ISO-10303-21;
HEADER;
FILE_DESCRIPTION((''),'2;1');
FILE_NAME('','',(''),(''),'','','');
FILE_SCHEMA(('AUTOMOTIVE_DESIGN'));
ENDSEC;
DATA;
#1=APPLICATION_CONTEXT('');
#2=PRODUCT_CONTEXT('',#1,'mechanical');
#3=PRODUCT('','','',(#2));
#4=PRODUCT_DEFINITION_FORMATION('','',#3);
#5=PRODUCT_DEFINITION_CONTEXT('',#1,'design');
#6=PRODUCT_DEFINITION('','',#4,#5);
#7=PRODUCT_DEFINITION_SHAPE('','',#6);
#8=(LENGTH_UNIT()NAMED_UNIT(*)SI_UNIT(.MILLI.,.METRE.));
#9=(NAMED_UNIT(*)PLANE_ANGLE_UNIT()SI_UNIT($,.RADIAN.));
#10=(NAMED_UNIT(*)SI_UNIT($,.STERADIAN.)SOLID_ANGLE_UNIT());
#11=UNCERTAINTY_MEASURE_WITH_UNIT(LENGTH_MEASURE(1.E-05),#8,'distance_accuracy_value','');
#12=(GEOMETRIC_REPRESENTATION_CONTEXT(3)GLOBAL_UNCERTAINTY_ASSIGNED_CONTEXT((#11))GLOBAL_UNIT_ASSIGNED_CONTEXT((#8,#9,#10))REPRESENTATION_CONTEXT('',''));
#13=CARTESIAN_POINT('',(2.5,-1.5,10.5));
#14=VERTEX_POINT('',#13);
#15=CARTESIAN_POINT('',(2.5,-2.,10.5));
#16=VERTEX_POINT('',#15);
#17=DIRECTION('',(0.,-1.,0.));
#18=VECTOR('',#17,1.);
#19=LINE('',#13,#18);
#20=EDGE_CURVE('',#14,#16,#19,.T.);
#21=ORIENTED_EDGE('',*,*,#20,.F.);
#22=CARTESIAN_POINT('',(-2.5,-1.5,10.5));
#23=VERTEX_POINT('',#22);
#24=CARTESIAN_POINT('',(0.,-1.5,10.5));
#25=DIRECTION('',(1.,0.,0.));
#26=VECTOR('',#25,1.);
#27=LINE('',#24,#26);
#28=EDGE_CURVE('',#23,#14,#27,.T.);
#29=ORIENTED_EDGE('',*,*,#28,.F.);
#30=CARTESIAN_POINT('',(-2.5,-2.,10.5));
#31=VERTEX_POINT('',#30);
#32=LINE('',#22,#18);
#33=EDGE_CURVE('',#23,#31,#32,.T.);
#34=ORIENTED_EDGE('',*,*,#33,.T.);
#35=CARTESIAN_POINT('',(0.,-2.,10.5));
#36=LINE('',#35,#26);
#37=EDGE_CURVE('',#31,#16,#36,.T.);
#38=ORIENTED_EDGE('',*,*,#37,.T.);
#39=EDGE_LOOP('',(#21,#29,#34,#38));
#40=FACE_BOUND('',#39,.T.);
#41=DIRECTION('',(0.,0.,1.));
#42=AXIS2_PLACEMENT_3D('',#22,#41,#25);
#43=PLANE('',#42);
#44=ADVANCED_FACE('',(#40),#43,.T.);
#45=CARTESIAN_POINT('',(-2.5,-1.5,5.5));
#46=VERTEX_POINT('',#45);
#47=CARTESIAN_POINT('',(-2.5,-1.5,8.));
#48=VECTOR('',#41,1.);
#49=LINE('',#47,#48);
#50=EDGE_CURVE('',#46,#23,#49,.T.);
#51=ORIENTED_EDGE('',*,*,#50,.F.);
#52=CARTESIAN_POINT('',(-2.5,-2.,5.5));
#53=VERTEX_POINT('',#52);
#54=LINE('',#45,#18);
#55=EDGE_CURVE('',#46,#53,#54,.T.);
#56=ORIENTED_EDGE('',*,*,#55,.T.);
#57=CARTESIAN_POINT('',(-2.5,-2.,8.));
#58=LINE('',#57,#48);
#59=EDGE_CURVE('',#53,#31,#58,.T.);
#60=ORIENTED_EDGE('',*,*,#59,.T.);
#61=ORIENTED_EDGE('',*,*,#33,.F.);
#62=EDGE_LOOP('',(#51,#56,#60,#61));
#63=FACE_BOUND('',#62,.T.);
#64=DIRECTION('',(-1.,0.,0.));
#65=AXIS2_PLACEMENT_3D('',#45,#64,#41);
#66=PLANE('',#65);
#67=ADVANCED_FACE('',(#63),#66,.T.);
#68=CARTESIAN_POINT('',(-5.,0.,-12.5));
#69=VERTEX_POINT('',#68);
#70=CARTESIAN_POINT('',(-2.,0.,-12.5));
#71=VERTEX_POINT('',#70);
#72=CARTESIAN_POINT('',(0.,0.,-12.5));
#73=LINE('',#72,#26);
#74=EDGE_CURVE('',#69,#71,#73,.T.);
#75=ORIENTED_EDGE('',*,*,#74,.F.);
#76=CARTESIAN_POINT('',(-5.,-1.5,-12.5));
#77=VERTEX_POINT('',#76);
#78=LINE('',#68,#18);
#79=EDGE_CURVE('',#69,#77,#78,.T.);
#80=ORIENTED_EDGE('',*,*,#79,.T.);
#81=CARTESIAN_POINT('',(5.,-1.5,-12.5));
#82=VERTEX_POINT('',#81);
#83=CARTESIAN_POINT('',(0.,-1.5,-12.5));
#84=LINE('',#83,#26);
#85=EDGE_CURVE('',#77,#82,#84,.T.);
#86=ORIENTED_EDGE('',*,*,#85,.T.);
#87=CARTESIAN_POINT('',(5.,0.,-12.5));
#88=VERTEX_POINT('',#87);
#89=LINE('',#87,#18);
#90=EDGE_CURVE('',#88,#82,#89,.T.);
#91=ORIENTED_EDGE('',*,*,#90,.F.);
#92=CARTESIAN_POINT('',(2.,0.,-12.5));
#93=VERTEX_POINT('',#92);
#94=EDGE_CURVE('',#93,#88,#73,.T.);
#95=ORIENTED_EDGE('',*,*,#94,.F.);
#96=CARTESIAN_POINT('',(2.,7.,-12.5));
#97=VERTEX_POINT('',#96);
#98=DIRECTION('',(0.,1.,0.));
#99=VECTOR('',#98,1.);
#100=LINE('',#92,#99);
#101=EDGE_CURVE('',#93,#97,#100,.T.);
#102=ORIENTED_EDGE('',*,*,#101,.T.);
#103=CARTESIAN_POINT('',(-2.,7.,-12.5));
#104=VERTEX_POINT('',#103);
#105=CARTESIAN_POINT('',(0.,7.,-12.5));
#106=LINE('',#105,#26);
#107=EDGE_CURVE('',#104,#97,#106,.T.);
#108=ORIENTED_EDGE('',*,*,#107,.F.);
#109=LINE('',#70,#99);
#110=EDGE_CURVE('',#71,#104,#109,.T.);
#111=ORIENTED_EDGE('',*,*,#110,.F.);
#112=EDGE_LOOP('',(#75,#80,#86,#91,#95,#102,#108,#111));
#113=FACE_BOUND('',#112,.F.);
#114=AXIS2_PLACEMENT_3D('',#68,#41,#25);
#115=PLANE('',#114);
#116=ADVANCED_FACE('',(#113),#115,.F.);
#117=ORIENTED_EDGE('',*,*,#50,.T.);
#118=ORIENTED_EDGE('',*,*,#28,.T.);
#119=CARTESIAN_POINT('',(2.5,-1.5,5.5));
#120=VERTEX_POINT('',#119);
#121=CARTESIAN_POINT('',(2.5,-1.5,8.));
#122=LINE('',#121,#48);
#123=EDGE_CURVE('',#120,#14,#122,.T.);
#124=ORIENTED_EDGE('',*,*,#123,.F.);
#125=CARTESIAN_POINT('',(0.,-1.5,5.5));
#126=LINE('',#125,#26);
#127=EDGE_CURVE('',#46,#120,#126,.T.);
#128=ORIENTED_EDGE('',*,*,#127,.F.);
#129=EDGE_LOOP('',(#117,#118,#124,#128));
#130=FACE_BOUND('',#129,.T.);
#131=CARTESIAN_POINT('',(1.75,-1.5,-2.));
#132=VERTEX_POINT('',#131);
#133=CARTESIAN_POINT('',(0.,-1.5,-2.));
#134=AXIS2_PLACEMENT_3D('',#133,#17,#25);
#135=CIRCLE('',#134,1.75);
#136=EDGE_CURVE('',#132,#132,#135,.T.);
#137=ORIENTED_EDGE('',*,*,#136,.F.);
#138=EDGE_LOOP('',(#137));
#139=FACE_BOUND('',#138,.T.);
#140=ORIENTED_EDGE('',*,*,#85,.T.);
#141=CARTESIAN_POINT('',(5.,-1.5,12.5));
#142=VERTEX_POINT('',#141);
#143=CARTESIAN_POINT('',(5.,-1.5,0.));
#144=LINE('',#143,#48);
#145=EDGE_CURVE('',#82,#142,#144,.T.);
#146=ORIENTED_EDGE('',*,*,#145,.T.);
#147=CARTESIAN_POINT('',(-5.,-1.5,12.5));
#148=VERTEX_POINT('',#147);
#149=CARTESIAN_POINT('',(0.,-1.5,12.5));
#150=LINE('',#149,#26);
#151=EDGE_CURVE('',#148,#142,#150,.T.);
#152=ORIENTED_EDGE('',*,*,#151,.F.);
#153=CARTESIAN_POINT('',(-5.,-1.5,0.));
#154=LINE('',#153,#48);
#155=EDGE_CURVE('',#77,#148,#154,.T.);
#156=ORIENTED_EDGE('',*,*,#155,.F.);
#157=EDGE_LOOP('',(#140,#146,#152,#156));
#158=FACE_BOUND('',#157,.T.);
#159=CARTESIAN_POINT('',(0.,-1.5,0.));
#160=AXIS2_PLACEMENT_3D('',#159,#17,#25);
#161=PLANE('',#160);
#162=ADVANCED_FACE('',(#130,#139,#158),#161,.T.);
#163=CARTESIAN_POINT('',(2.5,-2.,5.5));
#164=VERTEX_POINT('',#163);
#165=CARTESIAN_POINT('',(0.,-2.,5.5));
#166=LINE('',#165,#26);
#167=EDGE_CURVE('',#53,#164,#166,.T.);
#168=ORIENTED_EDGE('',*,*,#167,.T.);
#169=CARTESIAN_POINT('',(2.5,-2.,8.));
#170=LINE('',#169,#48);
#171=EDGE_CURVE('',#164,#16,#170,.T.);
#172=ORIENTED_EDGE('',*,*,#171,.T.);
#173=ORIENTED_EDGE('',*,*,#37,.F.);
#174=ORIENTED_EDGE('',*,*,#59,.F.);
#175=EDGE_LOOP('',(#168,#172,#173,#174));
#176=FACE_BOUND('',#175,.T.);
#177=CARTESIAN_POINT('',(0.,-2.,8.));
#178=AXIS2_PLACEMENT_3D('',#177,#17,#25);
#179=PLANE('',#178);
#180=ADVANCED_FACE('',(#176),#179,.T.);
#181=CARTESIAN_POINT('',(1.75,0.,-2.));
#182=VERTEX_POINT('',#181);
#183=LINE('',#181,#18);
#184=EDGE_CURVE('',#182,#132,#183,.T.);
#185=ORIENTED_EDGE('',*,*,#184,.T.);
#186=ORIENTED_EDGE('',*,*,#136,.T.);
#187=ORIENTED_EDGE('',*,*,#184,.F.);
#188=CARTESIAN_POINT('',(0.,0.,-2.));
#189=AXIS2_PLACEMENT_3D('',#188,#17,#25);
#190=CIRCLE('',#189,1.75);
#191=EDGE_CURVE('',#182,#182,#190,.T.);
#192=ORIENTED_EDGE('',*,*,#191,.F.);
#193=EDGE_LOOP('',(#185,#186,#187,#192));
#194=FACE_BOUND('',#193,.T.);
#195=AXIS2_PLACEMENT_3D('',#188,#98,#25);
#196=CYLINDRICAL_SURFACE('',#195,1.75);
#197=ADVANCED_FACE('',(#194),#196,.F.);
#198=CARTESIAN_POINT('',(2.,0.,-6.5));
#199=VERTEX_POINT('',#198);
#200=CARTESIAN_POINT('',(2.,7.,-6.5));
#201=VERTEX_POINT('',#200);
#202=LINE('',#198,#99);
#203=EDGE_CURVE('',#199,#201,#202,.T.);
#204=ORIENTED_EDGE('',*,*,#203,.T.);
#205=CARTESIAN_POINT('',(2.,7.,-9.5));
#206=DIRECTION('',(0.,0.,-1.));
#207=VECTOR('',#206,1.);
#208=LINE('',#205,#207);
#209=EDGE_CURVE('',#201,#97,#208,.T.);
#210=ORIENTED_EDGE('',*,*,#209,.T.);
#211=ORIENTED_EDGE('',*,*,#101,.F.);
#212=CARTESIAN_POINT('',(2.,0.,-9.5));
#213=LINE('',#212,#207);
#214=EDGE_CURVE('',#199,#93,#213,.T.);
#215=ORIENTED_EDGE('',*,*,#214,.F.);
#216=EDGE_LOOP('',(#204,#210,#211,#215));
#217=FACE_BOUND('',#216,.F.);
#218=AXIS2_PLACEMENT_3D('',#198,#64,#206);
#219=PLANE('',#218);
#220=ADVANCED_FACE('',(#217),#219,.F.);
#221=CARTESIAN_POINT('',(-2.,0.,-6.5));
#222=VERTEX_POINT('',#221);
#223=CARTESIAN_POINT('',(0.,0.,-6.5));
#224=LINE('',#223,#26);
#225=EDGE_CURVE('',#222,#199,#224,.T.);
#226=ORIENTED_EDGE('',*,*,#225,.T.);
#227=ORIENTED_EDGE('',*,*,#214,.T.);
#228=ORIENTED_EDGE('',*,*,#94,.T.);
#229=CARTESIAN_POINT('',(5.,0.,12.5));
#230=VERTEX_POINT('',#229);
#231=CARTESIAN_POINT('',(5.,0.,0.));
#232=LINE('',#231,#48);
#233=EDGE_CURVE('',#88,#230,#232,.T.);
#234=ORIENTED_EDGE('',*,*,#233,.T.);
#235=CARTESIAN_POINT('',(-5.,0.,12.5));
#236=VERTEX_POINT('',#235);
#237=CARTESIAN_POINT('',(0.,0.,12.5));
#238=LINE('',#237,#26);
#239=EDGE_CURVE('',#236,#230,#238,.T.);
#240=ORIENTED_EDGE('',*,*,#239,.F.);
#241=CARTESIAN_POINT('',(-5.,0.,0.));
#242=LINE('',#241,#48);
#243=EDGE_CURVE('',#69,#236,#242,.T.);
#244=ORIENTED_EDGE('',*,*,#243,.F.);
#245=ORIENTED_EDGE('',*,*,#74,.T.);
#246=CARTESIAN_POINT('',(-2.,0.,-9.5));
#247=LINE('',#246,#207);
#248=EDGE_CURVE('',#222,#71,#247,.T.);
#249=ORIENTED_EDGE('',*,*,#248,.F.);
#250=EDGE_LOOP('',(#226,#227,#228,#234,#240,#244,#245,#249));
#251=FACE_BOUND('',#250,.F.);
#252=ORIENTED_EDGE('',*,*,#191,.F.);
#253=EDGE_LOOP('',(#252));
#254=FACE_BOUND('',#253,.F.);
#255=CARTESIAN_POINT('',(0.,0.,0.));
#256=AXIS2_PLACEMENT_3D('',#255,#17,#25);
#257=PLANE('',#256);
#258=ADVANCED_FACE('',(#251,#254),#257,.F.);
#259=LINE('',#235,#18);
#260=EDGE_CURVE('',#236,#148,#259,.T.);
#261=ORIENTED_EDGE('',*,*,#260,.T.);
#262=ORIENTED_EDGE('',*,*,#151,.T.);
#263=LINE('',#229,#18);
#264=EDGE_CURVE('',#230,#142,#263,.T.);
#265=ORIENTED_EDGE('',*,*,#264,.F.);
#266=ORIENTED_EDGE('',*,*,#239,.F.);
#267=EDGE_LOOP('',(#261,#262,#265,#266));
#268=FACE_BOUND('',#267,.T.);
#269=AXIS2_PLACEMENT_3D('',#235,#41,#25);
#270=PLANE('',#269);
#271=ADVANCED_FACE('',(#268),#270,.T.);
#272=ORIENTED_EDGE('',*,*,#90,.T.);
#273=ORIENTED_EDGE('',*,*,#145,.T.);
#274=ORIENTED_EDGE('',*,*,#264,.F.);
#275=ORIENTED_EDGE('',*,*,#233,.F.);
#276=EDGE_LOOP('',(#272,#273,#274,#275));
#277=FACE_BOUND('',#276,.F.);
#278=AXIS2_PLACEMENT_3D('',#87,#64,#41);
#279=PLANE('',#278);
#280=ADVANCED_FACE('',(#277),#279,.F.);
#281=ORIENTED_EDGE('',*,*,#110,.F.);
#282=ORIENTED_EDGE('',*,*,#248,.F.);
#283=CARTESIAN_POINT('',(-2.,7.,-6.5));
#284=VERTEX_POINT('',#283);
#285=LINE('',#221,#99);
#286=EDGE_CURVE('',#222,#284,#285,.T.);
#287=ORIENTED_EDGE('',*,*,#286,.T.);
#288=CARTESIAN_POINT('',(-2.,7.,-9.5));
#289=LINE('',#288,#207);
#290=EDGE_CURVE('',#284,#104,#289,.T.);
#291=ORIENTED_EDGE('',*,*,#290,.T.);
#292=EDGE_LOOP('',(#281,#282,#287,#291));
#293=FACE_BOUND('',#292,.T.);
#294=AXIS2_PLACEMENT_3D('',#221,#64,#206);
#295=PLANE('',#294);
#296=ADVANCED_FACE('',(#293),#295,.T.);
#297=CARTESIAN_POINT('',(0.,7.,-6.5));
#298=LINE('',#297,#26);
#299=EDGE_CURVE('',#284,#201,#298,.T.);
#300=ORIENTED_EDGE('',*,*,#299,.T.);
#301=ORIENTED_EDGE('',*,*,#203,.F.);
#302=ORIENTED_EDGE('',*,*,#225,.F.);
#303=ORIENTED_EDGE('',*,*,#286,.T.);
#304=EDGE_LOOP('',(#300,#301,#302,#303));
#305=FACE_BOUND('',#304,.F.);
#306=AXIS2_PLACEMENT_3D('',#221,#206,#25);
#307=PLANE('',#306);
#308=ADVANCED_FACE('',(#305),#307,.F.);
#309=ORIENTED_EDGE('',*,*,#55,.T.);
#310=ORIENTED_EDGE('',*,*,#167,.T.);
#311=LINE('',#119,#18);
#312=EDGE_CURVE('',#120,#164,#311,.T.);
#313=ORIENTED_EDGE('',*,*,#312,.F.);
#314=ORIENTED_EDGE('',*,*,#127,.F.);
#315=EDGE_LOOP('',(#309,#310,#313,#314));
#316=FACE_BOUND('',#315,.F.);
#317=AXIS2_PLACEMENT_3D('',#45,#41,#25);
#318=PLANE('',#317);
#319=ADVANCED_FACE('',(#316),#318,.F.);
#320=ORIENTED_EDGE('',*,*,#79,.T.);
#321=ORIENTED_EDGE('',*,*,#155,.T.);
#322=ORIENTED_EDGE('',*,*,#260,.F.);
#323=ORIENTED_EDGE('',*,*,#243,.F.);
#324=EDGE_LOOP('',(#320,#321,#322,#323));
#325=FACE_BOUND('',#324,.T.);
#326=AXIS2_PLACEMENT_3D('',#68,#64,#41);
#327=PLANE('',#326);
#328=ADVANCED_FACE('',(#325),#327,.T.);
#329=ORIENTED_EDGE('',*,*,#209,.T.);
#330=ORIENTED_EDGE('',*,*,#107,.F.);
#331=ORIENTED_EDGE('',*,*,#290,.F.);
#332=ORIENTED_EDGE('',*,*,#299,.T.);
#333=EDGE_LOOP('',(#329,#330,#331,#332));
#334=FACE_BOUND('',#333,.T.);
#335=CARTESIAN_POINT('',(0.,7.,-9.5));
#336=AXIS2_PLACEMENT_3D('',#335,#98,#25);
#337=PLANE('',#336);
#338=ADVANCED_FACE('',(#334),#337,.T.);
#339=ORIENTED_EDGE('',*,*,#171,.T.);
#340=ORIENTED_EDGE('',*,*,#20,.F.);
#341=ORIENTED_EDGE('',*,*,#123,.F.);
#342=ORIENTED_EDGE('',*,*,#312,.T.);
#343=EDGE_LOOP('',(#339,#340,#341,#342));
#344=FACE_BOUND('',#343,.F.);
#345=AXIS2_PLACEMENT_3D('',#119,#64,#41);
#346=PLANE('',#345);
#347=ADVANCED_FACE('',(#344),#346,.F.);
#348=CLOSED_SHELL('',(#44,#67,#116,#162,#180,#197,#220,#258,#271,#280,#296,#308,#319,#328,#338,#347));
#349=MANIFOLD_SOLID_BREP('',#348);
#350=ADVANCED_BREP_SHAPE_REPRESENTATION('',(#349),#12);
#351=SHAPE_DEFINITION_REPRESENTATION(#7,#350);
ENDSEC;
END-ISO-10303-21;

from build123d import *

# Parameters (mm, degrees)
SKETCH_W     = 10
SKETCH_H     = 25
SKETCH_R     = 1.75
PAD_DEPTH    = 1.5
SKETCH001_W  = 5
SKETCH001_H  = 5
PAD001_DEPTH = 0.5
SKETCH002_W  = 4
SKETCH002_H  = 6
PAD002_DEPTH = 7


with BuildPart() as part:
    # Sketch → Pad (new body)
    with BuildSketch(Plane.XZ):
        Rectangle(SKETCH_W, SKETCH_H)
        with Locations((0, -2)):
            Circle(SKETCH_R, mode=Mode.SUBTRACT)
    extrude(amount=PAD_DEPTH)

    # Sketch001 (on Face7 of Pad) → Pad001 (join)
    with BuildSketch(Plane.XZ.offset(1.5)):
        with Locations((0, 8)):
            Rectangle(SKETCH001_W, SKETCH001_H)
    extrude(amount=PAD001_DEPTH)

    # Sketch002 (on Face4 of Pad001) → Pad002 (join)
    with BuildSketch(Plane(origin=(0, 0, 0), x_dir=(1, 0, 0), z_dir=(0, 1, 0))):
        with Locations((0, 9.5)):
            Rectangle(SKETCH002_W, SKETCH002_H)
    extrude(amount=PAD002_DEPTH)


solid = part.part
